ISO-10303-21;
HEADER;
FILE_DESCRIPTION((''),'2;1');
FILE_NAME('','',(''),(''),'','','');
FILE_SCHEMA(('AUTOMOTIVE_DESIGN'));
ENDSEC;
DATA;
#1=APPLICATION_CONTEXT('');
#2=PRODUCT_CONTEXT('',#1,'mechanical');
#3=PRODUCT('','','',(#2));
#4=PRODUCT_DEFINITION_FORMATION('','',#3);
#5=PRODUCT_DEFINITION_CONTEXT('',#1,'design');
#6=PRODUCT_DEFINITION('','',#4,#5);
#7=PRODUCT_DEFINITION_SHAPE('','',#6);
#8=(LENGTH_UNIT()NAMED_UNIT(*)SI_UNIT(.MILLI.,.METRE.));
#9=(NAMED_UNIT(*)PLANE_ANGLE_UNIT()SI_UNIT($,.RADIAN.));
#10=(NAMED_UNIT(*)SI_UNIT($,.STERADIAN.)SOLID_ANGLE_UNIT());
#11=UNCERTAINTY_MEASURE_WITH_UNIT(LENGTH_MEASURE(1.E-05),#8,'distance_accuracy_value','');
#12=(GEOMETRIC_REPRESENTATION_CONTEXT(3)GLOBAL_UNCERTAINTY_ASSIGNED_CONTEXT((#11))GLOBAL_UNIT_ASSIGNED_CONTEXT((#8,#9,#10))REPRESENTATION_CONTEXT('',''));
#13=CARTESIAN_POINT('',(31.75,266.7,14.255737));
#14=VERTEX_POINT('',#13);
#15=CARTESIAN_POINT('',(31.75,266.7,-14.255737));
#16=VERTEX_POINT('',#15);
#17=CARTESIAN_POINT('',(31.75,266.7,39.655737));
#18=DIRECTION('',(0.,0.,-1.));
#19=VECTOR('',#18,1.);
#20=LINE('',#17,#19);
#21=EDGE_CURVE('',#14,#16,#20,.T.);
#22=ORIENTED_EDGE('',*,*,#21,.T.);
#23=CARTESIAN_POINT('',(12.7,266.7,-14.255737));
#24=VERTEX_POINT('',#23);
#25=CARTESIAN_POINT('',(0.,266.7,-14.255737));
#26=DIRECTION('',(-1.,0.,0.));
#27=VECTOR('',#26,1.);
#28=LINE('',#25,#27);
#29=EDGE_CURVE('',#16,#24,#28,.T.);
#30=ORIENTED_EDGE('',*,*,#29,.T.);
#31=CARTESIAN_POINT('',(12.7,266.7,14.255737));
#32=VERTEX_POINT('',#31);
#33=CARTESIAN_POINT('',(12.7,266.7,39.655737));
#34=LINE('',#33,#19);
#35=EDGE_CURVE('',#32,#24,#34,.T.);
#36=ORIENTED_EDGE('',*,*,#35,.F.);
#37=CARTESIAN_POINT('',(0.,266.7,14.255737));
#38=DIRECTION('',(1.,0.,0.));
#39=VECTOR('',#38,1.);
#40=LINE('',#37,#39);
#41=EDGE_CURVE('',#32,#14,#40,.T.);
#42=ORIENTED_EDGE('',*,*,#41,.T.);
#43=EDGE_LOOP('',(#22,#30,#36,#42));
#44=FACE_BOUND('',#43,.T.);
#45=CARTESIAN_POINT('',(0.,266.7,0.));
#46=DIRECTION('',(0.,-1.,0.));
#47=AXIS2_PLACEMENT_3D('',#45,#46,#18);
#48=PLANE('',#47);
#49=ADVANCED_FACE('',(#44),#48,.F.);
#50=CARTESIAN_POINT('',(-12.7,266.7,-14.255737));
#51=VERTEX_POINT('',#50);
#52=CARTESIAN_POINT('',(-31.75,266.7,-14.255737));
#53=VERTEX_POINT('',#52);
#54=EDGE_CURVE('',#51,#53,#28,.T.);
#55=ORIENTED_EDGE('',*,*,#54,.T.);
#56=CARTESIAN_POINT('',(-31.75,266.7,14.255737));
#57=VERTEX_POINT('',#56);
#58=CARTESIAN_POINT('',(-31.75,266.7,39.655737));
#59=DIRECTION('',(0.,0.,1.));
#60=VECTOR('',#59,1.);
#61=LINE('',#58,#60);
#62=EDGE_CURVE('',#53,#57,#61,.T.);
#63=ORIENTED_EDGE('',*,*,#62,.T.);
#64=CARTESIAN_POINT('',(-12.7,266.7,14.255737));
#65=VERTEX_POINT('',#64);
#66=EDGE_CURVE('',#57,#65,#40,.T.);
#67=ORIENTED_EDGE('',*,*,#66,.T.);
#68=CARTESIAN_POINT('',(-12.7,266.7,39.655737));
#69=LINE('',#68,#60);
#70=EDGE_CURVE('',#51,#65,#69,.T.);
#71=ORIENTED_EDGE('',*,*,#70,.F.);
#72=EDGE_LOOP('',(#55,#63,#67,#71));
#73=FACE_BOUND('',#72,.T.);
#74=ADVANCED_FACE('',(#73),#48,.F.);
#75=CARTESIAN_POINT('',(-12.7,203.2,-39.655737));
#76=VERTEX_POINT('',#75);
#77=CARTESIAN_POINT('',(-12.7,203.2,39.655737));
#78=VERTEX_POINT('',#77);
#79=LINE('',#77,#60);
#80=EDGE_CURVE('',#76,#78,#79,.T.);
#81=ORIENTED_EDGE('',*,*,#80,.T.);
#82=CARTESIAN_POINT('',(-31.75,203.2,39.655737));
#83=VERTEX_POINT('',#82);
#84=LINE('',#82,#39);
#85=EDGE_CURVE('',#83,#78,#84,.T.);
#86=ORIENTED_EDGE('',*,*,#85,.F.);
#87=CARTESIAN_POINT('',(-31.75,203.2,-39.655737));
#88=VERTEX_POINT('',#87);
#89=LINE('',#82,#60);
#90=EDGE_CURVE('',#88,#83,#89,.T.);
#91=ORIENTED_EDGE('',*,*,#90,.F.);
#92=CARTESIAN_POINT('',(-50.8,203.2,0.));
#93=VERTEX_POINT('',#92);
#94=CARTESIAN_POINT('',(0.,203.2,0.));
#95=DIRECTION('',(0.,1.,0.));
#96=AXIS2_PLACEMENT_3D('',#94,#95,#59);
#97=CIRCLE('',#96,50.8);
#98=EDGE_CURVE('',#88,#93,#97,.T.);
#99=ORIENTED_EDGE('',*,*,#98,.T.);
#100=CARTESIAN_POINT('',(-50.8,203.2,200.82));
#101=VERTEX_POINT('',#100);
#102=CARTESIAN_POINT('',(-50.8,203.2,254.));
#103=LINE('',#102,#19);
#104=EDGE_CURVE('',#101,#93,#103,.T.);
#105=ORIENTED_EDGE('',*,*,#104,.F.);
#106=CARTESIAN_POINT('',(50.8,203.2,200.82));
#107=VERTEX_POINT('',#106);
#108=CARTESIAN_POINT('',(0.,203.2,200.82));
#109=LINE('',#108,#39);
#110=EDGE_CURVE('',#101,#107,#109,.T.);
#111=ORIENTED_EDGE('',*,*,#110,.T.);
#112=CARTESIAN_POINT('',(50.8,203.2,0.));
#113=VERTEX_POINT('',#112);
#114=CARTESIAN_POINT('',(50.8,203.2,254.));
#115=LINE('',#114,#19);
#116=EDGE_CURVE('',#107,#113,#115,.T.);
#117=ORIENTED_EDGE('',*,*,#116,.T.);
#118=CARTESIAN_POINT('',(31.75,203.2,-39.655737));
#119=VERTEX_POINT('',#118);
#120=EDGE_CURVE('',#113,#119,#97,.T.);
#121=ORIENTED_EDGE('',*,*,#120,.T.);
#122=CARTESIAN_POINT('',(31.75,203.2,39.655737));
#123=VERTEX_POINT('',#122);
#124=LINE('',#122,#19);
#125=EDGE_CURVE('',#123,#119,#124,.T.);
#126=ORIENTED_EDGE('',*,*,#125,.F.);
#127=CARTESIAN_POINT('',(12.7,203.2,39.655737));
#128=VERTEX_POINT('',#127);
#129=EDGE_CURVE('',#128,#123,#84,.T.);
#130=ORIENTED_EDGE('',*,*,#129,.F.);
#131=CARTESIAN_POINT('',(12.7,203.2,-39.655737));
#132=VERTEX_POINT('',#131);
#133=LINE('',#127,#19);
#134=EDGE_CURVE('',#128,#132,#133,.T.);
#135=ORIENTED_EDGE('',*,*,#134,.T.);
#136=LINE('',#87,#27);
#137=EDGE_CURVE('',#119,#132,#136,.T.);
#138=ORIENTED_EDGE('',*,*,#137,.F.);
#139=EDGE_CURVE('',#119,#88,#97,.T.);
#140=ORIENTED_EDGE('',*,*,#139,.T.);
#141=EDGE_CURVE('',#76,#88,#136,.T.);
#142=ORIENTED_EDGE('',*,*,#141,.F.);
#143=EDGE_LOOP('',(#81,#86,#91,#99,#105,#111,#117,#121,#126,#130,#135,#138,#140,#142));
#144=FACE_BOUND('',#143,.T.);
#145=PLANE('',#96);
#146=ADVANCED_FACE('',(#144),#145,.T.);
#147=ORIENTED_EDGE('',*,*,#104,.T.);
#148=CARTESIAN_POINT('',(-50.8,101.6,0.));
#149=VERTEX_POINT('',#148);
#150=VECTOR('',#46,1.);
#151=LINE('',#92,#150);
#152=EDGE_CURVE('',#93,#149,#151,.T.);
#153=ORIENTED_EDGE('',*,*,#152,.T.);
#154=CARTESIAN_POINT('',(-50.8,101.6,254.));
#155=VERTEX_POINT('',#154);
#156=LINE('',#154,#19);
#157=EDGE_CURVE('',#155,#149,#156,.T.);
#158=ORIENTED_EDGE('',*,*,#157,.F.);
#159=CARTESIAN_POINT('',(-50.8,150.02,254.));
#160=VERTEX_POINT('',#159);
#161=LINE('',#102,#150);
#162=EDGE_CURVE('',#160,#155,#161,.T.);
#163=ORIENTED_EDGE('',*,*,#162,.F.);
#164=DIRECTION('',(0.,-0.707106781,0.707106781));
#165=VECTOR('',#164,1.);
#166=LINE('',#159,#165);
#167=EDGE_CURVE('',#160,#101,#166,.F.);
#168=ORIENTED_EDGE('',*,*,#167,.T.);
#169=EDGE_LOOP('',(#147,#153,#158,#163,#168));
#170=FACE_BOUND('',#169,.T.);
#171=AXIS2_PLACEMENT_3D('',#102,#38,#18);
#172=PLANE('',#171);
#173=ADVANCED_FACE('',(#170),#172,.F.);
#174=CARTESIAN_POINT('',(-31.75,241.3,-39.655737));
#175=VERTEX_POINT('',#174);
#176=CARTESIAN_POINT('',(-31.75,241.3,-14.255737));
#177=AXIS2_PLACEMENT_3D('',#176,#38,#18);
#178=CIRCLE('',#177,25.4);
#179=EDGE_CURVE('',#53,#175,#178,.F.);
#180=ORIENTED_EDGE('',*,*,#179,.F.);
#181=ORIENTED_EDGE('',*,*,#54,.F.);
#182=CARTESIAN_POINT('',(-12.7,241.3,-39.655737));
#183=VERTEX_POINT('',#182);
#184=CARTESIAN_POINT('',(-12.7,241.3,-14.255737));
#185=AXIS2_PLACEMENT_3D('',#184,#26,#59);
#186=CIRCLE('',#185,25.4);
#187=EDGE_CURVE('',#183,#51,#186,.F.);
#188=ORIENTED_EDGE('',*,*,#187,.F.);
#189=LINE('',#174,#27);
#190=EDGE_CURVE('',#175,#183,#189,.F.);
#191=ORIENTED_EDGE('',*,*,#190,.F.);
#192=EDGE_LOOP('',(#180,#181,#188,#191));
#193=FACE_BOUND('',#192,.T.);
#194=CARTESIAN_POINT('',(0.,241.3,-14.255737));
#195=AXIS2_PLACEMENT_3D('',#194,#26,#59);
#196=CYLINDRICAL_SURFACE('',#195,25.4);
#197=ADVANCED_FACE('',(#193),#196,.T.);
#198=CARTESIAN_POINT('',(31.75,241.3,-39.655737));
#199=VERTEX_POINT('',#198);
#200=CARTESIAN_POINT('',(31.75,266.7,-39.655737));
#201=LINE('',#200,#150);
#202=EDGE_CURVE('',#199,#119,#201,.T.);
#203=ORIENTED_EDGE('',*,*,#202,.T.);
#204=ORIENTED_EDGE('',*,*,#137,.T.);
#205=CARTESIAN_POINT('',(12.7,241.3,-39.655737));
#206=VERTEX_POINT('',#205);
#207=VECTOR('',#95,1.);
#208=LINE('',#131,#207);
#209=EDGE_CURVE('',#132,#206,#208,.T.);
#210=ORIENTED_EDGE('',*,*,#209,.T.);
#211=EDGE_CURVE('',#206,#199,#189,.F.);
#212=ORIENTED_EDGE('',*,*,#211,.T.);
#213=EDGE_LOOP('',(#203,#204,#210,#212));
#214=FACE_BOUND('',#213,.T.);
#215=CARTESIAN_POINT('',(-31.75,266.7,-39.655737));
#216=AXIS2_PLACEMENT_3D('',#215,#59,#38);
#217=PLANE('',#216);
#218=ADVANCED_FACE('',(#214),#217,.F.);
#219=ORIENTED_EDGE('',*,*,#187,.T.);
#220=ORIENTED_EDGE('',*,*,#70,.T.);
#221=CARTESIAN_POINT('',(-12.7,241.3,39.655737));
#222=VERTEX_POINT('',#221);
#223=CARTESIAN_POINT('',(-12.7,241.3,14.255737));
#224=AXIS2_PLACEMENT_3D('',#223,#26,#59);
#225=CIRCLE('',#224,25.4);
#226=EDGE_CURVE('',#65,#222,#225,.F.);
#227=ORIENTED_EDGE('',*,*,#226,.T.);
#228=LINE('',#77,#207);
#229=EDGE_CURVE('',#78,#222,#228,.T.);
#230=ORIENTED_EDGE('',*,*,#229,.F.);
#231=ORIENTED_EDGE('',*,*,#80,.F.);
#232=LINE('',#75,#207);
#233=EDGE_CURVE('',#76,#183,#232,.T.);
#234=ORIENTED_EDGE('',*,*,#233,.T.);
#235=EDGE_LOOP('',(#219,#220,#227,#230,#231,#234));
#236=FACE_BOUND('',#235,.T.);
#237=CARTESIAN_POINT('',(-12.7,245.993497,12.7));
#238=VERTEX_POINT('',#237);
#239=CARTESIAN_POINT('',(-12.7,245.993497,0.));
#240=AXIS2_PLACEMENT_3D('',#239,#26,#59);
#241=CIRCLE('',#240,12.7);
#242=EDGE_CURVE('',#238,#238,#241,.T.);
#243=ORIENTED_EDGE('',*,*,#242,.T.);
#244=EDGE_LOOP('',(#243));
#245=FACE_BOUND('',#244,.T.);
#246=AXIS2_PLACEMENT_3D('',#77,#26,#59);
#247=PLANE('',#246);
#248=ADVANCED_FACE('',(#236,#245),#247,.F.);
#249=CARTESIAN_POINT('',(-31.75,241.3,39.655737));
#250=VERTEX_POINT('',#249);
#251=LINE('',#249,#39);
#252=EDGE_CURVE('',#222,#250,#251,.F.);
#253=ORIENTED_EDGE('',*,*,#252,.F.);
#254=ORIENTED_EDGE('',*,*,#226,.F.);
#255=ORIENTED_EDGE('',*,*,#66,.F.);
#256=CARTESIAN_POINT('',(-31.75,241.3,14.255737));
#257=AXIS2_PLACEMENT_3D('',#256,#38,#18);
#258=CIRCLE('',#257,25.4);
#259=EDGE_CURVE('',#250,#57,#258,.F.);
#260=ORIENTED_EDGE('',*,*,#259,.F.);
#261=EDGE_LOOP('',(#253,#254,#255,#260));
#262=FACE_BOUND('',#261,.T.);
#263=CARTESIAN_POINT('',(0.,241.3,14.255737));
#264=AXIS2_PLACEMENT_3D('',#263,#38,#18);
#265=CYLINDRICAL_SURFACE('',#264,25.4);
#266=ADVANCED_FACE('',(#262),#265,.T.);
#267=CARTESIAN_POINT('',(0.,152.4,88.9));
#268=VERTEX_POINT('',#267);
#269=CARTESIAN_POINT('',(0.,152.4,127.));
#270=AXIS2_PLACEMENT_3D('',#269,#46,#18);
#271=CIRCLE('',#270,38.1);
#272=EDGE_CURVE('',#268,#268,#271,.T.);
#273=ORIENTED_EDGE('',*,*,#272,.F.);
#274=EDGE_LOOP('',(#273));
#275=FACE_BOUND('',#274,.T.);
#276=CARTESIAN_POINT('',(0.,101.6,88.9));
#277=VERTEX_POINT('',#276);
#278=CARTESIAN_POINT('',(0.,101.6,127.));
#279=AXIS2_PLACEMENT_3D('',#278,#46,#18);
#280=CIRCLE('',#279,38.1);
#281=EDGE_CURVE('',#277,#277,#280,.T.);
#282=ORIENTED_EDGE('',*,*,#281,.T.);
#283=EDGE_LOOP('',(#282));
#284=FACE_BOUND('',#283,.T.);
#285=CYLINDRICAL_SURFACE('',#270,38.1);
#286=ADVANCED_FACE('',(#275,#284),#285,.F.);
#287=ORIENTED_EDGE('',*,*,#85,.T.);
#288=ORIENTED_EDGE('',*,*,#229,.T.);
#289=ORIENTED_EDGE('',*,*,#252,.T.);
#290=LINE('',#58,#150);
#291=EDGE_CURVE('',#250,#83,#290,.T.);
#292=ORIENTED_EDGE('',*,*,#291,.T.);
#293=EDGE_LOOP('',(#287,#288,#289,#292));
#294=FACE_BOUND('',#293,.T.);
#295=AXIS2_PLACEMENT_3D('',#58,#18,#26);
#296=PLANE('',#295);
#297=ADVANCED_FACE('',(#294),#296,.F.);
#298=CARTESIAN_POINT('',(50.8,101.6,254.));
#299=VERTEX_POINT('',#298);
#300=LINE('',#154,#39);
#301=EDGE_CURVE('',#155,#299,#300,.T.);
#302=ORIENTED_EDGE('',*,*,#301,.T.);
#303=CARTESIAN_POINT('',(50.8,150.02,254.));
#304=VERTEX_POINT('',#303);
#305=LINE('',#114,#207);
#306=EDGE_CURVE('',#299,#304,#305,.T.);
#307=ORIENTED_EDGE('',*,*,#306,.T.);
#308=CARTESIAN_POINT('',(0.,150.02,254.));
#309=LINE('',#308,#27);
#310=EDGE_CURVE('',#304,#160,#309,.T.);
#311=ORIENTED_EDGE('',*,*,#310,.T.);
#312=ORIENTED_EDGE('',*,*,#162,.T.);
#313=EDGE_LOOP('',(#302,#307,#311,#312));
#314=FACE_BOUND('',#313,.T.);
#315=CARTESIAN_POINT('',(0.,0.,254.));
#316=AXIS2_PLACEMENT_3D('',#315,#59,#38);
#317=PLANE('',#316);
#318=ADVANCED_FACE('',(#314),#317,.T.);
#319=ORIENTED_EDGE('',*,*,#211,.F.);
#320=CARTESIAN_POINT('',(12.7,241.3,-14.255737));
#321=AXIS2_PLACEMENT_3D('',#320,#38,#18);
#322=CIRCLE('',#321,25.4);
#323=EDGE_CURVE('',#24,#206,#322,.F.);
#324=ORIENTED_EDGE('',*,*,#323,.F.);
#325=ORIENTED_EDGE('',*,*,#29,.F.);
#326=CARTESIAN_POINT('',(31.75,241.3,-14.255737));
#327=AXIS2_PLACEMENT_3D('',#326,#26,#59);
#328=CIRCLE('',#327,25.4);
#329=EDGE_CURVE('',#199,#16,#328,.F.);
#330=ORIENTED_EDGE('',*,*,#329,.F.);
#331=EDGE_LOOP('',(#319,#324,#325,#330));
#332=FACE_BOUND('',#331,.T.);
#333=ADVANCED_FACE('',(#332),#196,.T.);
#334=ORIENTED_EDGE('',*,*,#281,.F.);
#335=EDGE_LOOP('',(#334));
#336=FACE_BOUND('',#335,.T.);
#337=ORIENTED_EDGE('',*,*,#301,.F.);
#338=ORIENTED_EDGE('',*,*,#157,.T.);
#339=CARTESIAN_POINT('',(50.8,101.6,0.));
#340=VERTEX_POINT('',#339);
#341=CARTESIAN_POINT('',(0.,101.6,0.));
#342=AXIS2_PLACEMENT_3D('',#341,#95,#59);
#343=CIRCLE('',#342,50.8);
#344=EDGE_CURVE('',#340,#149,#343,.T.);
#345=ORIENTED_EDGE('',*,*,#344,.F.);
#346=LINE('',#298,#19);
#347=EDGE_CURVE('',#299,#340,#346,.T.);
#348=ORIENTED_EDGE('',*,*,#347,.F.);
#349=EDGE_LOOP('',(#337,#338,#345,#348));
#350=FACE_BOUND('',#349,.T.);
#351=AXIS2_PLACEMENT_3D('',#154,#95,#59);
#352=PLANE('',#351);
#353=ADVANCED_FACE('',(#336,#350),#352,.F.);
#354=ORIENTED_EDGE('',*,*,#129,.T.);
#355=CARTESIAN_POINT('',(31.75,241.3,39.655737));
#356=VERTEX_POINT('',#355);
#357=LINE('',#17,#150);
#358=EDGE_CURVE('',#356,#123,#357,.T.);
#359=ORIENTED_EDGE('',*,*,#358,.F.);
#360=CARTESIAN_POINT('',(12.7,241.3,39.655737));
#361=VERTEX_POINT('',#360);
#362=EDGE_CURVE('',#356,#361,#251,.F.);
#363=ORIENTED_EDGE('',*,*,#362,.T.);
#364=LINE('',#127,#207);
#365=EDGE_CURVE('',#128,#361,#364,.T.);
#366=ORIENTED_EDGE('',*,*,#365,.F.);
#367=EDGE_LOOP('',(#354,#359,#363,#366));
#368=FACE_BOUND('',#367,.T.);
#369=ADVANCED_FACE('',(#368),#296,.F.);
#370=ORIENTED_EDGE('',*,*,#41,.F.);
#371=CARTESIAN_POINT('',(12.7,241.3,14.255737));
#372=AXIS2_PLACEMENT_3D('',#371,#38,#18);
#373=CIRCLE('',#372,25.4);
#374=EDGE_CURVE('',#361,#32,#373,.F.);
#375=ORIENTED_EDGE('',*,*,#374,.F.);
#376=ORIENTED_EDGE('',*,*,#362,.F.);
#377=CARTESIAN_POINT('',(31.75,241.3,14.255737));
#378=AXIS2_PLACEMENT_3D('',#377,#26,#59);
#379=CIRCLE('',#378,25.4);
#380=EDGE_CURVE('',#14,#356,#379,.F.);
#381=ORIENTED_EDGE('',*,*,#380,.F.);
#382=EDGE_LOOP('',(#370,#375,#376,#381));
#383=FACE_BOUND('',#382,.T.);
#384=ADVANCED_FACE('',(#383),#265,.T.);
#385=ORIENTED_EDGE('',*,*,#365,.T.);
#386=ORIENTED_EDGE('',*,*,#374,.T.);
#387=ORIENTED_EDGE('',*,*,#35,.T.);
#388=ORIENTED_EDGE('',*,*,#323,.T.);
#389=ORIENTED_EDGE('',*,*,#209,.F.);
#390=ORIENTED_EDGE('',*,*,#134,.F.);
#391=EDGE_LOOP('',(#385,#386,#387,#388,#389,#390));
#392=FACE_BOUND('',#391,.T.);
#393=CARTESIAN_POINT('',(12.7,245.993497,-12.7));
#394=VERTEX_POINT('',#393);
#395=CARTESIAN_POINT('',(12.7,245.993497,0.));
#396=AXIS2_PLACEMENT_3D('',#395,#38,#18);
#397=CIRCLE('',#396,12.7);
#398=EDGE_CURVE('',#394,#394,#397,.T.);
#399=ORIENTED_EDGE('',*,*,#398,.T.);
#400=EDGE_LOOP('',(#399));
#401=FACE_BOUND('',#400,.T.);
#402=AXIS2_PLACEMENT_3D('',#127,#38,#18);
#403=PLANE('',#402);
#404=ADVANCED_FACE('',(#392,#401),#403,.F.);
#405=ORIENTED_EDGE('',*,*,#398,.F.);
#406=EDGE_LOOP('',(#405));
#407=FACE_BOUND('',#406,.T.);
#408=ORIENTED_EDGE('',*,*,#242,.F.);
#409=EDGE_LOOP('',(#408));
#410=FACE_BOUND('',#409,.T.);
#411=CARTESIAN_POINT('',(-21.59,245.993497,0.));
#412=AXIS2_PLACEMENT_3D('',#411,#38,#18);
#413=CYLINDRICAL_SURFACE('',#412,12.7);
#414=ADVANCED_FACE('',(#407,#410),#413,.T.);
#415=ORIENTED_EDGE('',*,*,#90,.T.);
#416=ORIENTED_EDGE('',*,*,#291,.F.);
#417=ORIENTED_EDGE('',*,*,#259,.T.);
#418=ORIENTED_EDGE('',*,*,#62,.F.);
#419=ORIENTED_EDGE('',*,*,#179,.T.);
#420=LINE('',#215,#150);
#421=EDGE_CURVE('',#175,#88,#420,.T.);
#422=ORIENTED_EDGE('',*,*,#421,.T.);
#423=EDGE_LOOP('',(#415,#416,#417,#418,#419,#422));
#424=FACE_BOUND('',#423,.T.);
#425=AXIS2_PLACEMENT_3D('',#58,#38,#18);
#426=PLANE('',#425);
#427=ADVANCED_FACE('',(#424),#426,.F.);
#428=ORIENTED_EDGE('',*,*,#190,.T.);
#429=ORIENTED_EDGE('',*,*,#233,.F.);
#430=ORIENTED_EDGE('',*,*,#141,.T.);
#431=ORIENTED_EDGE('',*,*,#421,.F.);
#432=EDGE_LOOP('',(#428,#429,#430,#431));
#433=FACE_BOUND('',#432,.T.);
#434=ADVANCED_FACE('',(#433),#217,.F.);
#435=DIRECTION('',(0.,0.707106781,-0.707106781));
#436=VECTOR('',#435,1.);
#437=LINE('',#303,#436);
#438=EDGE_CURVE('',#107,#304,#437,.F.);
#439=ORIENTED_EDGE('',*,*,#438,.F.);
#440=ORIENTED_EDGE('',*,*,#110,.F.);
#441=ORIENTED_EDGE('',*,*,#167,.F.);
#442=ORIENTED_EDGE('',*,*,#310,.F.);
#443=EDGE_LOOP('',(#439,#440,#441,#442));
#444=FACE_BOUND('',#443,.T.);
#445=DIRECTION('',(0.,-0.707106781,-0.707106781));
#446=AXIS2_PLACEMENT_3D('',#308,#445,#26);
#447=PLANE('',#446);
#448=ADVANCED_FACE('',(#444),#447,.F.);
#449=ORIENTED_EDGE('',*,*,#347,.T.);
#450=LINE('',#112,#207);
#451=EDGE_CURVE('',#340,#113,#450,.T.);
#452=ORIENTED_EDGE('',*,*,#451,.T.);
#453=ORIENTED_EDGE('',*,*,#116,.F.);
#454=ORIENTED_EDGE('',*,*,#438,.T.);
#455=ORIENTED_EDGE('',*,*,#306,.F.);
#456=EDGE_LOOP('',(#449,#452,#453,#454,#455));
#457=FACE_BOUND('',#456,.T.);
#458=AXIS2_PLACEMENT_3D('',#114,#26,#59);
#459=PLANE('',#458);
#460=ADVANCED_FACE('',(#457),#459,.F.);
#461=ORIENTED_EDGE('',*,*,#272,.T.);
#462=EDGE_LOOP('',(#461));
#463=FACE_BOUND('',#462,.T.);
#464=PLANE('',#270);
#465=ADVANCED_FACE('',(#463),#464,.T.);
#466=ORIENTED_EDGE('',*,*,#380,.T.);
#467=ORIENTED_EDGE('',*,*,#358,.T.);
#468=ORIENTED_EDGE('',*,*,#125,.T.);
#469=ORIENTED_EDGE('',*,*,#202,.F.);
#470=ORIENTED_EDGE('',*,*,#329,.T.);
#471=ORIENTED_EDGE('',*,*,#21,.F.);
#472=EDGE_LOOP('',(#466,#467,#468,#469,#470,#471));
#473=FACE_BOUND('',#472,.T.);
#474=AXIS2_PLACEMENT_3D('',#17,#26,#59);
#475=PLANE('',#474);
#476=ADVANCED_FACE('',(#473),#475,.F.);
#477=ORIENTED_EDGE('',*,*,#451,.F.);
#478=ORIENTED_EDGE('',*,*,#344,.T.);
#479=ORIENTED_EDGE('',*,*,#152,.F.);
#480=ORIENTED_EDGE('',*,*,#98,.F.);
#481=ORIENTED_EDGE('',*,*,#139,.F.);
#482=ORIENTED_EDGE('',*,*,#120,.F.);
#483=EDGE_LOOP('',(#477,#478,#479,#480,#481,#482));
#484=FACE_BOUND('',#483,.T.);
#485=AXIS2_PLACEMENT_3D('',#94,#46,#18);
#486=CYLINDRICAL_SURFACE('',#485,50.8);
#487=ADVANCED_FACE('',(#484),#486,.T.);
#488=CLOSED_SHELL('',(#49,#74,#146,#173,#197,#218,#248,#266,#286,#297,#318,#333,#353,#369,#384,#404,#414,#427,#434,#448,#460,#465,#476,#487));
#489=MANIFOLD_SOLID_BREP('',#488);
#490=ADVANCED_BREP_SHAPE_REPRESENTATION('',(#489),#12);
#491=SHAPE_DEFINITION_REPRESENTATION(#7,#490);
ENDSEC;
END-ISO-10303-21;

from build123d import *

# Parameters (mm, degrees)
SKETCH1_R           = 50.8
BOSS_EXTRUDE1_DEPTH = 203.2
SKETCH2_W           = 63.5
SKETCH2_H           = 79.31147458
BOSS_EXTRUDE2_DEPTH = 63.5
SKETCH3_W           = 25.4
SKETCH3_H           = 79.31147458
CUT_EXTRUDE1_DEPTH  = 63.5
FILLET1_R           = 25.4
SKETCH4_R           = 31.75
CUT_EXTRUDE2_DEPTH  = 63.5
SKETCH6_W           = 101.6
SKETCH6_H           = 101.6
BOSS_EXTRUDE3_DEPTH = 254
SKETCH7_W           = 106.066491774
SKETCH7_H           = 101.6
CUT_EXTRUDE4_DEPTH  = 409.182030472
CHAMFER2_SIZE       = 53.18
SKETCH5_R           = 12.7
BOSS_EXTRUDE5_DEPTH = 53.34
SKETCH11_R          = 38.1
CUT_EXTRUDE7_DEPTH  = 50.8


with BuildPart() as part:
    # Sketch1 → Boss-Extrude1 (new body)
    with BuildSketch(Plane(origin=(0, 0, 0), x_dir=(1, 0, 0), z_dir=(0, 1, 0))):
        with Locations(Location((0, 0, 0), (0, 0, 270))):
            Circle(SKETCH1_R)
    extrude(amount=BOSS_EXTRUDE1_DEPTH)

    # Sketch2 → Boss-Extrude2 (add)
    with BuildSketch(Plane(origin=(0, 203.2, 0), x_dir=(1, 0, 0), z_dir=(0, 1, 0))):
        Rectangle(SKETCH2_W, SKETCH2_H)
    extrude(amount=BOSS_EXTRUDE2_DEPTH)

    # Sketch3 → Cut-Extrude1 (cut)
    with BuildSketch(Plane(origin=(0, 266.7, 0), x_dir=(1, 0, 0), z_dir=(0, 1, 0))):
        Rectangle(SKETCH3_W, SKETCH3_H)
    extrude(amount=-CUT_EXTRUDE1_DEPTH, mode=Mode.SUBTRACT)

    # Fillet1
    fillet1_edges = [part.edges().sort_by_distance(p)[0] for p in [
        (22.225, 266.7, -39.65573729),
        (-22.225, 266.7, 39.65573729),
        (-22.225, 266.7, -39.65573729),
        (22.225, 266.7, 39.65573729),
    ]]
    fillet(fillet1_edges, radius=FILLET1_R)

    # Sketch4 → Cut-Extrude2 (cut)
    with BuildSketch(Plane.XZ):
        with Locations(Location((0, 0, 0), (0, 0, 270))):
            Circle(SKETCH4_R)
    extrude(amount=-CUT_EXTRUDE2_DEPTH, mode=Mode.SUBTRACT)

    # Sketch6 → Boss-Extrude3 (add)
    with BuildSketch(Plane.XY):
        with Locations((0, 152.4)):
            Rectangle(SKETCH6_W, SKETCH6_H)
    extrude(amount=BOSS_EXTRUDE3_DEPTH)

    # Sketch7 → Cut-Extrude4 (cut, through all)
    with BuildSketch(Plane.XY.offset(254)):
        with Locations((2.233245887, 50.8)):
            Rectangle(SKETCH7_W, SKETCH7_H)
    extrude(amount=-CUT_EXTRUDE4_DEPTH, mode=Mode.SUBTRACT)

    # Chamfer2
    chamfer2_edges = [part.edges().sort_by_distance(p)[0] for p in [
        (0, 203.2, 254),
    ]]
    chamfer(chamfer2_edges, length=CHAMFER2_SIZE)

    # Sketch5 → Boss-Extrude5 (add)
    with BuildSketch(Plane(origin=(31.75, 0, 0), x_dir=(0, 0, -1), z_dir=(1, 0, 0))):
        with Locations((0, 245.993497046)):
            Circle(SKETCH5_R)
    extrude(amount=-BOSS_EXTRUDE5_DEPTH)

    # Sketch11 → Cut-Extrude7 (cut)
    with BuildSketch(Plane.XZ.offset(-101.6)):
        with Locations(Location((0, 127, 0), (0, 0, 270))):
            Circle(SKETCH11_R)
    extrude(amount=-CUT_EXTRUDE7_DEPTH, mode=Mode.SUBTRACT)


solid = part.part
